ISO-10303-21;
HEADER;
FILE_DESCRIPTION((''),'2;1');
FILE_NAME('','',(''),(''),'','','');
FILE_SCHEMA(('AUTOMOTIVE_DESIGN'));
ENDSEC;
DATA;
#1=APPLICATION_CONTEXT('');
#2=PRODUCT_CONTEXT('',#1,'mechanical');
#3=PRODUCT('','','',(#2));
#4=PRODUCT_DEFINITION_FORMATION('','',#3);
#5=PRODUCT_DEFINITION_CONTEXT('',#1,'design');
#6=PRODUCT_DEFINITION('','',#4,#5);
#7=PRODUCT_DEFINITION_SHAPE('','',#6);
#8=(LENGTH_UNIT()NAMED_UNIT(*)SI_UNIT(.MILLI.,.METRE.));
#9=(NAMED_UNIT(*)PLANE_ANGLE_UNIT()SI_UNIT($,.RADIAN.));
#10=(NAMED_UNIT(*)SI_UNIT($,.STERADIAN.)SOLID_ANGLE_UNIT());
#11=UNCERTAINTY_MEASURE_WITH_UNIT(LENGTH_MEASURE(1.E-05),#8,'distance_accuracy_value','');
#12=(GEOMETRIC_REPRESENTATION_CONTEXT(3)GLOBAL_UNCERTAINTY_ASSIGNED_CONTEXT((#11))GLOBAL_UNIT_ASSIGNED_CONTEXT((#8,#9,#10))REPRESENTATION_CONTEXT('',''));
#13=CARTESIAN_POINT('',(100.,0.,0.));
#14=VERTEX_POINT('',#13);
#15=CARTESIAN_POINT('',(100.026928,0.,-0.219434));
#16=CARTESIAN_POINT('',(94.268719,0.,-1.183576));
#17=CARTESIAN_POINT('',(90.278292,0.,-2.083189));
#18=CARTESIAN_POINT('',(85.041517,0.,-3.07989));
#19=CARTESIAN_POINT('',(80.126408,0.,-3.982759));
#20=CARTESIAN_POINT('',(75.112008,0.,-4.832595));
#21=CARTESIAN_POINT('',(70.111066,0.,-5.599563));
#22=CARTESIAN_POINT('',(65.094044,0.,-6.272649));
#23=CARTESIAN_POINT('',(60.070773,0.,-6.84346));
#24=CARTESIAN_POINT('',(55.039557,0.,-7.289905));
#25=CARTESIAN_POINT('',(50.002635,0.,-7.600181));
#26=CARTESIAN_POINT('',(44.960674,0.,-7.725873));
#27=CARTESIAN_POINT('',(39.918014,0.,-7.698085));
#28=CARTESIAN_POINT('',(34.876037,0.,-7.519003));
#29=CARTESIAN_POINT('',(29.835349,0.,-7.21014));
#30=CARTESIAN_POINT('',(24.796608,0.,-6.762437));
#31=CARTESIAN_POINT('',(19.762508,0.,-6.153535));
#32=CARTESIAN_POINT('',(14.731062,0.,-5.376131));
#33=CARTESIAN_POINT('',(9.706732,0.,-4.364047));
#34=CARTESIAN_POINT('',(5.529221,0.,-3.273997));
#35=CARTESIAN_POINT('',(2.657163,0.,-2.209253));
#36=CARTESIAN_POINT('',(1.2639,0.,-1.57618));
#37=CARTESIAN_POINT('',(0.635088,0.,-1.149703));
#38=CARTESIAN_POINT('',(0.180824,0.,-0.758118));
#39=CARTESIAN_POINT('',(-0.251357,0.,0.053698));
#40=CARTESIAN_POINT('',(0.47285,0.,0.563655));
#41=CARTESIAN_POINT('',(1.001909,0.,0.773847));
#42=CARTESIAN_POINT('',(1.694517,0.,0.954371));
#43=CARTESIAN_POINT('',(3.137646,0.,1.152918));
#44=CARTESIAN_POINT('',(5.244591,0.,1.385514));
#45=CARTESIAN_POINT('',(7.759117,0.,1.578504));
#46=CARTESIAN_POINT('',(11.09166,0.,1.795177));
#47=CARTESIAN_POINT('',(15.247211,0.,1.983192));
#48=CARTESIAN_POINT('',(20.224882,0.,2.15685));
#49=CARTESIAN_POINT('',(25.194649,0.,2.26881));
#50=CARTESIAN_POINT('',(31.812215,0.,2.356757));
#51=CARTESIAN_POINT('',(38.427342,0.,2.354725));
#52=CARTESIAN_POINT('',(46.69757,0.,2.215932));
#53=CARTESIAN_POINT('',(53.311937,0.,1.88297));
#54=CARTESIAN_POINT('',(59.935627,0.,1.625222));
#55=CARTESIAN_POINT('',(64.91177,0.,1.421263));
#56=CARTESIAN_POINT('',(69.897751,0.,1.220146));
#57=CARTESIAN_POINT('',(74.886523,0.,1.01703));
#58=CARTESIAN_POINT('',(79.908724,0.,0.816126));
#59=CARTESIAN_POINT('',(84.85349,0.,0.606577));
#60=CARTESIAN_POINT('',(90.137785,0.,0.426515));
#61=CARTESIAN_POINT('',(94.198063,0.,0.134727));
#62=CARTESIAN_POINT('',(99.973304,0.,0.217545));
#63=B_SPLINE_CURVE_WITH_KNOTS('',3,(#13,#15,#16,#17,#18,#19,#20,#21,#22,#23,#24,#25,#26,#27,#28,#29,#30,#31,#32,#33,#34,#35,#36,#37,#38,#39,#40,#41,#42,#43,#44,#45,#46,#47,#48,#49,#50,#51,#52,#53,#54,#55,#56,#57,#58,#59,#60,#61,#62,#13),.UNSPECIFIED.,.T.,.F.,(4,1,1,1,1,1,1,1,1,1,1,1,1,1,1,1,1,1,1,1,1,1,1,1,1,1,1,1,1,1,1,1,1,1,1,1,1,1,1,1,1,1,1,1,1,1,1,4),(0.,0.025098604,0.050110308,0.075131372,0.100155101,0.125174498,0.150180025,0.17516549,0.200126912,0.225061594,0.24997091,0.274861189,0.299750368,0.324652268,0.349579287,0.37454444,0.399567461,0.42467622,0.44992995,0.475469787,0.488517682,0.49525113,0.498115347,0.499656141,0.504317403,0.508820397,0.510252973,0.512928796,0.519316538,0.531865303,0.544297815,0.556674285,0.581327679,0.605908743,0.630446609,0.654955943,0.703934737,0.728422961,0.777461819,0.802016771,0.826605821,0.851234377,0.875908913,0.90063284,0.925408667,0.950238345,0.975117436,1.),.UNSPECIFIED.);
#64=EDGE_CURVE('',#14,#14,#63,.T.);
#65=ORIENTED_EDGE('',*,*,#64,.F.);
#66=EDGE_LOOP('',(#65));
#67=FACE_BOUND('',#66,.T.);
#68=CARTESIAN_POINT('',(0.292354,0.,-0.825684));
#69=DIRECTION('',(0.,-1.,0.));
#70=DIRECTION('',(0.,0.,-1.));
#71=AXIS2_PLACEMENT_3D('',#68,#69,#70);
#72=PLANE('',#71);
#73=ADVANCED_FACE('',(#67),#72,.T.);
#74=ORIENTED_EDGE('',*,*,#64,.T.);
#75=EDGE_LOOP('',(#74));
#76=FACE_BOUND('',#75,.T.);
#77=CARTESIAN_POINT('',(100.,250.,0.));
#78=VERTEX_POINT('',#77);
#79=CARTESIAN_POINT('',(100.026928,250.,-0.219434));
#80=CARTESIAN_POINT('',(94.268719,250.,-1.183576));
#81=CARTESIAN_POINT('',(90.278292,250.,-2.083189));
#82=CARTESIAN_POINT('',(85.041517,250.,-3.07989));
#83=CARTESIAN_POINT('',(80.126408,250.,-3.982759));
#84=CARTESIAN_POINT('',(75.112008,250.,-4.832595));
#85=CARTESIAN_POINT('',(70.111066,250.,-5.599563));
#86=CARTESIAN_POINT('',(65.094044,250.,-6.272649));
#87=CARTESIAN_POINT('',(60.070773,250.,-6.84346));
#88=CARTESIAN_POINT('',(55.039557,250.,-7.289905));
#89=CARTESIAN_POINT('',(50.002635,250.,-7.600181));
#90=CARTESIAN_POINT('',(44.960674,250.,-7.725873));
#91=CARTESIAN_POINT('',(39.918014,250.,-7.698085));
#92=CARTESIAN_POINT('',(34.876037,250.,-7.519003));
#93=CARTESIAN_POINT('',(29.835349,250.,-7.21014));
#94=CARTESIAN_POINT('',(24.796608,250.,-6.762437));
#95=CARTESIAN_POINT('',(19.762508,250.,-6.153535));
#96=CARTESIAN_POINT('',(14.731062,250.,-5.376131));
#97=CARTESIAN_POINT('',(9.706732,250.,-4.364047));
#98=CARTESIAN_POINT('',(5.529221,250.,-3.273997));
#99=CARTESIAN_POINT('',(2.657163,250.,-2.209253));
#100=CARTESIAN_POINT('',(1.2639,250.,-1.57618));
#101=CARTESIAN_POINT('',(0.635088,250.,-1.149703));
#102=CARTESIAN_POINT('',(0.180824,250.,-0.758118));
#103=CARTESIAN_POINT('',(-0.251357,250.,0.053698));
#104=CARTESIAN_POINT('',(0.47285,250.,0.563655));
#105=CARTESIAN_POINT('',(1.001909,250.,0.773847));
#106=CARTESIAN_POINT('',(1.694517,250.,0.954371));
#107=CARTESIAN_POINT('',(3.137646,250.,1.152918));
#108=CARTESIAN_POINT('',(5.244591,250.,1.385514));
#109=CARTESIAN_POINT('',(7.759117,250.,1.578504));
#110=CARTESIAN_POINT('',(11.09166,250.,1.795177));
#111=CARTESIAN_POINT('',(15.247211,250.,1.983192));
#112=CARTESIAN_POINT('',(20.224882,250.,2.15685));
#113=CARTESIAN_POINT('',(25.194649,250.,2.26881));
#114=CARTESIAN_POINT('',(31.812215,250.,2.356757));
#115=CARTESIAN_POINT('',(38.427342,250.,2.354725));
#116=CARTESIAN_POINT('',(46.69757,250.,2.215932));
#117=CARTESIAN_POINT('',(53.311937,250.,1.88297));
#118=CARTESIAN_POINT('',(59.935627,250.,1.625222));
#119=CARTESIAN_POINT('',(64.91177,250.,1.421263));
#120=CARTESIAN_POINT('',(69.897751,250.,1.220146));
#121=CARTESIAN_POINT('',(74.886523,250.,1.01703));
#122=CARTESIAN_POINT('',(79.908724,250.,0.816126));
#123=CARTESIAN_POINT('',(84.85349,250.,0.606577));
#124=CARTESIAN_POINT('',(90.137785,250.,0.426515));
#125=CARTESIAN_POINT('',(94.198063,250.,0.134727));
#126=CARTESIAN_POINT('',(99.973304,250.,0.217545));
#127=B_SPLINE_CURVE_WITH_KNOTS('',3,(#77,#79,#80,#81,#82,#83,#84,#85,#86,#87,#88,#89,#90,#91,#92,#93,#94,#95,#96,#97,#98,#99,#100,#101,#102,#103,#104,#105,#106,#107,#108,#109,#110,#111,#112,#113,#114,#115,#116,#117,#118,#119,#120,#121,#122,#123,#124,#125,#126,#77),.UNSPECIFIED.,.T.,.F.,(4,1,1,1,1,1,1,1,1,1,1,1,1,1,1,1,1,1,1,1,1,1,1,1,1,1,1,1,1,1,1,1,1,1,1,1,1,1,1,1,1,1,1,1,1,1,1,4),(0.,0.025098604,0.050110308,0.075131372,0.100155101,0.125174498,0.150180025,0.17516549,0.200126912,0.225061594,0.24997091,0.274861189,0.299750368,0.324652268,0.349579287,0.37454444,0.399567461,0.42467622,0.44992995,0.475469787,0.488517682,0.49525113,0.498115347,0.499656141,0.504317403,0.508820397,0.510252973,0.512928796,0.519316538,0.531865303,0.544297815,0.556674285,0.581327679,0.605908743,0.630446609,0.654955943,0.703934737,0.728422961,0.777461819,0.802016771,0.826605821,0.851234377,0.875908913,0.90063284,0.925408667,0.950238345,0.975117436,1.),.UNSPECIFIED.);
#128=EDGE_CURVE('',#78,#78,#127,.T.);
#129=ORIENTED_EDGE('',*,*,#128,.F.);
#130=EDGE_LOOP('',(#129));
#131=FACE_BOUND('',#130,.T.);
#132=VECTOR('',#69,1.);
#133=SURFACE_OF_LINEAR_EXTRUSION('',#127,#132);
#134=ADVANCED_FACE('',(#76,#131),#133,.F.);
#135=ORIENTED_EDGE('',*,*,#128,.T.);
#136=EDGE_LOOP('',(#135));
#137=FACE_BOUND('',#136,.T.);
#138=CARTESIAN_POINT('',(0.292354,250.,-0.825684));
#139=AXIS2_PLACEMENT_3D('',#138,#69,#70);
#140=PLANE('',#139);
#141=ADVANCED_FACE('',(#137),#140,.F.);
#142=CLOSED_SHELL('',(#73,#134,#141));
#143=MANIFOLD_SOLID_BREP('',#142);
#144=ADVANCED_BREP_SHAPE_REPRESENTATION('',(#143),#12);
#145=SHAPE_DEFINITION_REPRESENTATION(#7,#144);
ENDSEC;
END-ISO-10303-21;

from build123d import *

# Parameters (mm, degrees)
BOSS_EXTRUDE1_DEPTH = 250


with BuildPart() as part:
    # Sketch1 → Boss-Extrude1 (new body)
    with BuildSketch(Plane(origin=(0, 0, 0), x_dir=(1, 0, 0), z_dir=(0, 1, 0))):
        with BuildLine():
            add(Edge.make_bspline(
                [(100, 0), (100.026927671, 0.219433858), (94.268719045, 1.183576039), (90.278291939, 2.083189014), (85.041517129, 3.079890056), (80.126408245, 3.982759073), (75.112008277, 4.832594532), (70.111065835, 5.599562513), (65.09404388, 6.272649179), (60.070772801, 6.843459682), (55.039557027, 7.289905462), (50.002635321, 7.600181442), (44.960674037, 7.725872882), (39.918014316, 7.698085219), (34.8760375, 7.519003187), (29.835349482, 7.210140329), (24.796607714, 6.762437252), (19.762507682, 6.15353518), (14.731061833, 5.376130555), (9.706731621, 4.364047298), (5.529220868, 3.27399749), (2.657163223, 2.209252647), (1.263899528, 1.576180331), (0.635088126, 1.149702618), (0.180823596, 0.758118254), (-0.251357417, -0.053698208), (0.472849839, -0.563654736), (1.001908694, -0.773847466), (1.694516894, -0.954370998), (3.137645534, -1.152917633), (5.244590793, -1.385513658), (7.759116968, -1.578504062), (11.09165954, -1.795176915), (15.247211424, -1.983192086), (20.224881618, -2.156849623), (25.194649087, -2.26881001), (31.812215076, -2.356756641), (38.42734188, -2.354724985), (46.697569516, -2.215932068), (53.311936654, -1.882969742), (59.935626694, -1.625222246), (64.911770343, -1.421263409), (69.897751183, -1.220146083), (74.886523022, -1.017029656), (79.908724272, -0.816125999), (84.853489661, -0.606576665), (90.137785468, -0.426514526), (94.198062583, -0.134726969), (99.973304112, -0.217545051), (100, 0)],
                knots=[0, 0, 0, 0, 0.025098604, 0.050110308, 0.075131372, 0.100155101, 0.125174498, 0.150180025, 0.17516549, 0.200126912, 0.225061594, 0.24997091, 0.274861189, 0.299750368, 0.324652268, 0.349579287, 0.37454444, 0.399567461, 0.42467622, 0.44992995, 0.475469787, 0.488517682, 0.49525113, 0.498115347, 0.499656141, 0.504317403, 0.508820397, 0.510252973, 0.512928796, 0.519316538, 0.531865303, 0.544297815, 0.556674285, 0.581327679, 0.605908743, 0.630446609, 0.654955943, 0.703934737, 0.728422961, 0.777461819, 0.802016771, 0.826605821, 0.851234377, 0.875908913, 0.90063284, 0.925408667, 0.950238345, 0.975117436, 1, 1, 1, 1], degree=3))
        make_face()
    extrude(amount=BOSS_EXTRUDE1_DEPTH)


solid = part.part
